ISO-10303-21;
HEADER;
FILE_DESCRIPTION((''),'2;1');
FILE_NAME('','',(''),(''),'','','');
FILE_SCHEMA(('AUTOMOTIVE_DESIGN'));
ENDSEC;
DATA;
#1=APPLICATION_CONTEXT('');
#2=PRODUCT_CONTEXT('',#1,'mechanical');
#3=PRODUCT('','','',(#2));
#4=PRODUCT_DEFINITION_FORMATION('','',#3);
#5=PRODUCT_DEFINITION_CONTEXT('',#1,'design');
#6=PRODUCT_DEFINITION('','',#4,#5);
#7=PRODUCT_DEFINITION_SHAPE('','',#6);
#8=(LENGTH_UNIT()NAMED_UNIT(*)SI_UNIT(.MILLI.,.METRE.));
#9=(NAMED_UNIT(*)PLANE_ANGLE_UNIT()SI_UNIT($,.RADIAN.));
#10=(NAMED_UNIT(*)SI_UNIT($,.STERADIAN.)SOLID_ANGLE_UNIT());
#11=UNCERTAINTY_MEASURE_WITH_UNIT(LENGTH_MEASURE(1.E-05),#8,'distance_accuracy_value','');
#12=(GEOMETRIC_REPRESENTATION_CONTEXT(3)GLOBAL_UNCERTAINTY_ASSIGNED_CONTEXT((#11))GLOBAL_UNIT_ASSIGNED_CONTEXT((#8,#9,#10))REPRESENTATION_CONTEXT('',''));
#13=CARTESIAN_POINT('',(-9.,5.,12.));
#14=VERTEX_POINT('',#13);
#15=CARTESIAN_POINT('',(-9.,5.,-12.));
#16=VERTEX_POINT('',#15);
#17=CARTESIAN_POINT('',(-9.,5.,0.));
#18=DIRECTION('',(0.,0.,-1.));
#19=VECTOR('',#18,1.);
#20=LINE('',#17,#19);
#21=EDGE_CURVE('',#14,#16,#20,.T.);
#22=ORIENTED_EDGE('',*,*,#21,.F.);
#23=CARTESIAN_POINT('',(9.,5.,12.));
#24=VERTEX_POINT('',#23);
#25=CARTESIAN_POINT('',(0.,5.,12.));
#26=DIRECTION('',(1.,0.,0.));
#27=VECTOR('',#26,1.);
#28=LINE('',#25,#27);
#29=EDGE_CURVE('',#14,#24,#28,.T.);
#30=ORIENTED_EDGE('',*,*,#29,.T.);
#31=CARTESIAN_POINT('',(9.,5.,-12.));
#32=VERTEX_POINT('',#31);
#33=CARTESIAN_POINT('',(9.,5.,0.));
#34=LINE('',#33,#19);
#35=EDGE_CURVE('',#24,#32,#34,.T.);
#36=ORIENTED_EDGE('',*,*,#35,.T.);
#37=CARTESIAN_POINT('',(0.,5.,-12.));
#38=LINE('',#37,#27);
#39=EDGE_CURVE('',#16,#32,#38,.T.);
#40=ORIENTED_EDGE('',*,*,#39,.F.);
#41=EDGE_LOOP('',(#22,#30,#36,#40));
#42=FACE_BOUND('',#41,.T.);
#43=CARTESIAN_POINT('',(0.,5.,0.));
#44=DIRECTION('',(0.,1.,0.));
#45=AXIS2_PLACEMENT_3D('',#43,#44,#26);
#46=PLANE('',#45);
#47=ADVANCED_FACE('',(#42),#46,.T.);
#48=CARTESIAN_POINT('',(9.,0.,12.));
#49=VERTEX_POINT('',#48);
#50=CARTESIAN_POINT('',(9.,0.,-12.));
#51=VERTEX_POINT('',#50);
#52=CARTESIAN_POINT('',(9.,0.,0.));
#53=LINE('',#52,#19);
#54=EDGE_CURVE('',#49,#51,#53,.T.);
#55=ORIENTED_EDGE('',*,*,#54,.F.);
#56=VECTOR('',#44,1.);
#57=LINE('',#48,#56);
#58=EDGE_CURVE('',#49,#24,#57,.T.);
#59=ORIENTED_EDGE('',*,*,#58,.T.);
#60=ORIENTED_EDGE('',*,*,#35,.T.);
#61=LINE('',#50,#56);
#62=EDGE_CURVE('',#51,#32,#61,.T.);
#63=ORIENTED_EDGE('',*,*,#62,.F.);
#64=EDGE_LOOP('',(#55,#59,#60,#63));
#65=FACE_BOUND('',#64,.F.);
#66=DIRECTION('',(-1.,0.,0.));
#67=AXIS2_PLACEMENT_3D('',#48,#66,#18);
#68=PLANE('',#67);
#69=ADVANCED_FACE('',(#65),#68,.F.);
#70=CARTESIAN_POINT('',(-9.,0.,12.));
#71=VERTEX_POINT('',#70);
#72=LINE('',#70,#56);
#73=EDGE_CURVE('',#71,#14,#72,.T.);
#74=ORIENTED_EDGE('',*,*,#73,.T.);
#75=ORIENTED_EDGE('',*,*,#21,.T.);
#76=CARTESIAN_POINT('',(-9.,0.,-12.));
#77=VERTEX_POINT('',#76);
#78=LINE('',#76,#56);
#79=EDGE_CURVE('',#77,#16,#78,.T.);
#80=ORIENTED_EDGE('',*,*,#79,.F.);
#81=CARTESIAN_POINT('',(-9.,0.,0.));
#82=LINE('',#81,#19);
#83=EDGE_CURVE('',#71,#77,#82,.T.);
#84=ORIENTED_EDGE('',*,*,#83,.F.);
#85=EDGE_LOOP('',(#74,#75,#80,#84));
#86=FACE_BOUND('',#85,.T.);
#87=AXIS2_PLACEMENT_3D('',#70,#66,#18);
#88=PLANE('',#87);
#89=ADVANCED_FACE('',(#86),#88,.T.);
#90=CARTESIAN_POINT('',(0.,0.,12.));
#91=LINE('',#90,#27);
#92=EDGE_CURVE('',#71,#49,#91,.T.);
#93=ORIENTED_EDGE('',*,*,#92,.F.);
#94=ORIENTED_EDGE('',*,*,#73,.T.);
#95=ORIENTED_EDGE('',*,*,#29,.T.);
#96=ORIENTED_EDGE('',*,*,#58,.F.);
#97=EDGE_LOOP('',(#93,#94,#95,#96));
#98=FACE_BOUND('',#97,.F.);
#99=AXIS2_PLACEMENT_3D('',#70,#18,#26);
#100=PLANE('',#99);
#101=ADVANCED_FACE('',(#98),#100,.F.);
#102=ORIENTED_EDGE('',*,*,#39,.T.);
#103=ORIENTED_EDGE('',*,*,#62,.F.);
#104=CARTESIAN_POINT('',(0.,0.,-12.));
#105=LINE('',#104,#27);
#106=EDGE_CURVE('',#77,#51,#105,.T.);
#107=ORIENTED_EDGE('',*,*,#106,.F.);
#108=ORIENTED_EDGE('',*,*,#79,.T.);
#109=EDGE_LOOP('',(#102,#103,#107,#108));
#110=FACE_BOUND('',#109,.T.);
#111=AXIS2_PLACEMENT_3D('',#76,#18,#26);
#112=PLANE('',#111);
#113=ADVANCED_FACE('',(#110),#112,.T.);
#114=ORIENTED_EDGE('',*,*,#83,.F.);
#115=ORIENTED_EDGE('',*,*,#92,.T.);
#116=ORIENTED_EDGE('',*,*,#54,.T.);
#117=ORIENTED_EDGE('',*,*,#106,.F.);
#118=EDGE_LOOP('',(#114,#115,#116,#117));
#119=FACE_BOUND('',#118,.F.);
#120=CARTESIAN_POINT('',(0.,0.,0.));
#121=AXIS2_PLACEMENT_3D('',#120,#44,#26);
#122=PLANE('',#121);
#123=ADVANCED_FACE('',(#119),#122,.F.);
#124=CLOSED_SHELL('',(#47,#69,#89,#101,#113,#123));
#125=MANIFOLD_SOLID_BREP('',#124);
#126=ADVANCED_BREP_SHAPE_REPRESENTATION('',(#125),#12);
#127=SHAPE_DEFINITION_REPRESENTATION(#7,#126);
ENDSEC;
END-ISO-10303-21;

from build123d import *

# Parameters (mm, degrees)
SKETCH1_W           = 18
SKETCH1_H           = 24
BOSS_EXTRUDE1_DEPTH = 5


with BuildPart() as part:
    # Sketch1 → Boss-Extrude1 (new body)
    with BuildSketch(Plane(origin=(0, 0, 0), x_dir=(1, 0, 0), z_dir=(0, 1, 0))):
        Rectangle(SKETCH1_W, SKETCH1_H)
    extrude(amount=BOSS_EXTRUDE1_DEPTH)


solid = part.part
